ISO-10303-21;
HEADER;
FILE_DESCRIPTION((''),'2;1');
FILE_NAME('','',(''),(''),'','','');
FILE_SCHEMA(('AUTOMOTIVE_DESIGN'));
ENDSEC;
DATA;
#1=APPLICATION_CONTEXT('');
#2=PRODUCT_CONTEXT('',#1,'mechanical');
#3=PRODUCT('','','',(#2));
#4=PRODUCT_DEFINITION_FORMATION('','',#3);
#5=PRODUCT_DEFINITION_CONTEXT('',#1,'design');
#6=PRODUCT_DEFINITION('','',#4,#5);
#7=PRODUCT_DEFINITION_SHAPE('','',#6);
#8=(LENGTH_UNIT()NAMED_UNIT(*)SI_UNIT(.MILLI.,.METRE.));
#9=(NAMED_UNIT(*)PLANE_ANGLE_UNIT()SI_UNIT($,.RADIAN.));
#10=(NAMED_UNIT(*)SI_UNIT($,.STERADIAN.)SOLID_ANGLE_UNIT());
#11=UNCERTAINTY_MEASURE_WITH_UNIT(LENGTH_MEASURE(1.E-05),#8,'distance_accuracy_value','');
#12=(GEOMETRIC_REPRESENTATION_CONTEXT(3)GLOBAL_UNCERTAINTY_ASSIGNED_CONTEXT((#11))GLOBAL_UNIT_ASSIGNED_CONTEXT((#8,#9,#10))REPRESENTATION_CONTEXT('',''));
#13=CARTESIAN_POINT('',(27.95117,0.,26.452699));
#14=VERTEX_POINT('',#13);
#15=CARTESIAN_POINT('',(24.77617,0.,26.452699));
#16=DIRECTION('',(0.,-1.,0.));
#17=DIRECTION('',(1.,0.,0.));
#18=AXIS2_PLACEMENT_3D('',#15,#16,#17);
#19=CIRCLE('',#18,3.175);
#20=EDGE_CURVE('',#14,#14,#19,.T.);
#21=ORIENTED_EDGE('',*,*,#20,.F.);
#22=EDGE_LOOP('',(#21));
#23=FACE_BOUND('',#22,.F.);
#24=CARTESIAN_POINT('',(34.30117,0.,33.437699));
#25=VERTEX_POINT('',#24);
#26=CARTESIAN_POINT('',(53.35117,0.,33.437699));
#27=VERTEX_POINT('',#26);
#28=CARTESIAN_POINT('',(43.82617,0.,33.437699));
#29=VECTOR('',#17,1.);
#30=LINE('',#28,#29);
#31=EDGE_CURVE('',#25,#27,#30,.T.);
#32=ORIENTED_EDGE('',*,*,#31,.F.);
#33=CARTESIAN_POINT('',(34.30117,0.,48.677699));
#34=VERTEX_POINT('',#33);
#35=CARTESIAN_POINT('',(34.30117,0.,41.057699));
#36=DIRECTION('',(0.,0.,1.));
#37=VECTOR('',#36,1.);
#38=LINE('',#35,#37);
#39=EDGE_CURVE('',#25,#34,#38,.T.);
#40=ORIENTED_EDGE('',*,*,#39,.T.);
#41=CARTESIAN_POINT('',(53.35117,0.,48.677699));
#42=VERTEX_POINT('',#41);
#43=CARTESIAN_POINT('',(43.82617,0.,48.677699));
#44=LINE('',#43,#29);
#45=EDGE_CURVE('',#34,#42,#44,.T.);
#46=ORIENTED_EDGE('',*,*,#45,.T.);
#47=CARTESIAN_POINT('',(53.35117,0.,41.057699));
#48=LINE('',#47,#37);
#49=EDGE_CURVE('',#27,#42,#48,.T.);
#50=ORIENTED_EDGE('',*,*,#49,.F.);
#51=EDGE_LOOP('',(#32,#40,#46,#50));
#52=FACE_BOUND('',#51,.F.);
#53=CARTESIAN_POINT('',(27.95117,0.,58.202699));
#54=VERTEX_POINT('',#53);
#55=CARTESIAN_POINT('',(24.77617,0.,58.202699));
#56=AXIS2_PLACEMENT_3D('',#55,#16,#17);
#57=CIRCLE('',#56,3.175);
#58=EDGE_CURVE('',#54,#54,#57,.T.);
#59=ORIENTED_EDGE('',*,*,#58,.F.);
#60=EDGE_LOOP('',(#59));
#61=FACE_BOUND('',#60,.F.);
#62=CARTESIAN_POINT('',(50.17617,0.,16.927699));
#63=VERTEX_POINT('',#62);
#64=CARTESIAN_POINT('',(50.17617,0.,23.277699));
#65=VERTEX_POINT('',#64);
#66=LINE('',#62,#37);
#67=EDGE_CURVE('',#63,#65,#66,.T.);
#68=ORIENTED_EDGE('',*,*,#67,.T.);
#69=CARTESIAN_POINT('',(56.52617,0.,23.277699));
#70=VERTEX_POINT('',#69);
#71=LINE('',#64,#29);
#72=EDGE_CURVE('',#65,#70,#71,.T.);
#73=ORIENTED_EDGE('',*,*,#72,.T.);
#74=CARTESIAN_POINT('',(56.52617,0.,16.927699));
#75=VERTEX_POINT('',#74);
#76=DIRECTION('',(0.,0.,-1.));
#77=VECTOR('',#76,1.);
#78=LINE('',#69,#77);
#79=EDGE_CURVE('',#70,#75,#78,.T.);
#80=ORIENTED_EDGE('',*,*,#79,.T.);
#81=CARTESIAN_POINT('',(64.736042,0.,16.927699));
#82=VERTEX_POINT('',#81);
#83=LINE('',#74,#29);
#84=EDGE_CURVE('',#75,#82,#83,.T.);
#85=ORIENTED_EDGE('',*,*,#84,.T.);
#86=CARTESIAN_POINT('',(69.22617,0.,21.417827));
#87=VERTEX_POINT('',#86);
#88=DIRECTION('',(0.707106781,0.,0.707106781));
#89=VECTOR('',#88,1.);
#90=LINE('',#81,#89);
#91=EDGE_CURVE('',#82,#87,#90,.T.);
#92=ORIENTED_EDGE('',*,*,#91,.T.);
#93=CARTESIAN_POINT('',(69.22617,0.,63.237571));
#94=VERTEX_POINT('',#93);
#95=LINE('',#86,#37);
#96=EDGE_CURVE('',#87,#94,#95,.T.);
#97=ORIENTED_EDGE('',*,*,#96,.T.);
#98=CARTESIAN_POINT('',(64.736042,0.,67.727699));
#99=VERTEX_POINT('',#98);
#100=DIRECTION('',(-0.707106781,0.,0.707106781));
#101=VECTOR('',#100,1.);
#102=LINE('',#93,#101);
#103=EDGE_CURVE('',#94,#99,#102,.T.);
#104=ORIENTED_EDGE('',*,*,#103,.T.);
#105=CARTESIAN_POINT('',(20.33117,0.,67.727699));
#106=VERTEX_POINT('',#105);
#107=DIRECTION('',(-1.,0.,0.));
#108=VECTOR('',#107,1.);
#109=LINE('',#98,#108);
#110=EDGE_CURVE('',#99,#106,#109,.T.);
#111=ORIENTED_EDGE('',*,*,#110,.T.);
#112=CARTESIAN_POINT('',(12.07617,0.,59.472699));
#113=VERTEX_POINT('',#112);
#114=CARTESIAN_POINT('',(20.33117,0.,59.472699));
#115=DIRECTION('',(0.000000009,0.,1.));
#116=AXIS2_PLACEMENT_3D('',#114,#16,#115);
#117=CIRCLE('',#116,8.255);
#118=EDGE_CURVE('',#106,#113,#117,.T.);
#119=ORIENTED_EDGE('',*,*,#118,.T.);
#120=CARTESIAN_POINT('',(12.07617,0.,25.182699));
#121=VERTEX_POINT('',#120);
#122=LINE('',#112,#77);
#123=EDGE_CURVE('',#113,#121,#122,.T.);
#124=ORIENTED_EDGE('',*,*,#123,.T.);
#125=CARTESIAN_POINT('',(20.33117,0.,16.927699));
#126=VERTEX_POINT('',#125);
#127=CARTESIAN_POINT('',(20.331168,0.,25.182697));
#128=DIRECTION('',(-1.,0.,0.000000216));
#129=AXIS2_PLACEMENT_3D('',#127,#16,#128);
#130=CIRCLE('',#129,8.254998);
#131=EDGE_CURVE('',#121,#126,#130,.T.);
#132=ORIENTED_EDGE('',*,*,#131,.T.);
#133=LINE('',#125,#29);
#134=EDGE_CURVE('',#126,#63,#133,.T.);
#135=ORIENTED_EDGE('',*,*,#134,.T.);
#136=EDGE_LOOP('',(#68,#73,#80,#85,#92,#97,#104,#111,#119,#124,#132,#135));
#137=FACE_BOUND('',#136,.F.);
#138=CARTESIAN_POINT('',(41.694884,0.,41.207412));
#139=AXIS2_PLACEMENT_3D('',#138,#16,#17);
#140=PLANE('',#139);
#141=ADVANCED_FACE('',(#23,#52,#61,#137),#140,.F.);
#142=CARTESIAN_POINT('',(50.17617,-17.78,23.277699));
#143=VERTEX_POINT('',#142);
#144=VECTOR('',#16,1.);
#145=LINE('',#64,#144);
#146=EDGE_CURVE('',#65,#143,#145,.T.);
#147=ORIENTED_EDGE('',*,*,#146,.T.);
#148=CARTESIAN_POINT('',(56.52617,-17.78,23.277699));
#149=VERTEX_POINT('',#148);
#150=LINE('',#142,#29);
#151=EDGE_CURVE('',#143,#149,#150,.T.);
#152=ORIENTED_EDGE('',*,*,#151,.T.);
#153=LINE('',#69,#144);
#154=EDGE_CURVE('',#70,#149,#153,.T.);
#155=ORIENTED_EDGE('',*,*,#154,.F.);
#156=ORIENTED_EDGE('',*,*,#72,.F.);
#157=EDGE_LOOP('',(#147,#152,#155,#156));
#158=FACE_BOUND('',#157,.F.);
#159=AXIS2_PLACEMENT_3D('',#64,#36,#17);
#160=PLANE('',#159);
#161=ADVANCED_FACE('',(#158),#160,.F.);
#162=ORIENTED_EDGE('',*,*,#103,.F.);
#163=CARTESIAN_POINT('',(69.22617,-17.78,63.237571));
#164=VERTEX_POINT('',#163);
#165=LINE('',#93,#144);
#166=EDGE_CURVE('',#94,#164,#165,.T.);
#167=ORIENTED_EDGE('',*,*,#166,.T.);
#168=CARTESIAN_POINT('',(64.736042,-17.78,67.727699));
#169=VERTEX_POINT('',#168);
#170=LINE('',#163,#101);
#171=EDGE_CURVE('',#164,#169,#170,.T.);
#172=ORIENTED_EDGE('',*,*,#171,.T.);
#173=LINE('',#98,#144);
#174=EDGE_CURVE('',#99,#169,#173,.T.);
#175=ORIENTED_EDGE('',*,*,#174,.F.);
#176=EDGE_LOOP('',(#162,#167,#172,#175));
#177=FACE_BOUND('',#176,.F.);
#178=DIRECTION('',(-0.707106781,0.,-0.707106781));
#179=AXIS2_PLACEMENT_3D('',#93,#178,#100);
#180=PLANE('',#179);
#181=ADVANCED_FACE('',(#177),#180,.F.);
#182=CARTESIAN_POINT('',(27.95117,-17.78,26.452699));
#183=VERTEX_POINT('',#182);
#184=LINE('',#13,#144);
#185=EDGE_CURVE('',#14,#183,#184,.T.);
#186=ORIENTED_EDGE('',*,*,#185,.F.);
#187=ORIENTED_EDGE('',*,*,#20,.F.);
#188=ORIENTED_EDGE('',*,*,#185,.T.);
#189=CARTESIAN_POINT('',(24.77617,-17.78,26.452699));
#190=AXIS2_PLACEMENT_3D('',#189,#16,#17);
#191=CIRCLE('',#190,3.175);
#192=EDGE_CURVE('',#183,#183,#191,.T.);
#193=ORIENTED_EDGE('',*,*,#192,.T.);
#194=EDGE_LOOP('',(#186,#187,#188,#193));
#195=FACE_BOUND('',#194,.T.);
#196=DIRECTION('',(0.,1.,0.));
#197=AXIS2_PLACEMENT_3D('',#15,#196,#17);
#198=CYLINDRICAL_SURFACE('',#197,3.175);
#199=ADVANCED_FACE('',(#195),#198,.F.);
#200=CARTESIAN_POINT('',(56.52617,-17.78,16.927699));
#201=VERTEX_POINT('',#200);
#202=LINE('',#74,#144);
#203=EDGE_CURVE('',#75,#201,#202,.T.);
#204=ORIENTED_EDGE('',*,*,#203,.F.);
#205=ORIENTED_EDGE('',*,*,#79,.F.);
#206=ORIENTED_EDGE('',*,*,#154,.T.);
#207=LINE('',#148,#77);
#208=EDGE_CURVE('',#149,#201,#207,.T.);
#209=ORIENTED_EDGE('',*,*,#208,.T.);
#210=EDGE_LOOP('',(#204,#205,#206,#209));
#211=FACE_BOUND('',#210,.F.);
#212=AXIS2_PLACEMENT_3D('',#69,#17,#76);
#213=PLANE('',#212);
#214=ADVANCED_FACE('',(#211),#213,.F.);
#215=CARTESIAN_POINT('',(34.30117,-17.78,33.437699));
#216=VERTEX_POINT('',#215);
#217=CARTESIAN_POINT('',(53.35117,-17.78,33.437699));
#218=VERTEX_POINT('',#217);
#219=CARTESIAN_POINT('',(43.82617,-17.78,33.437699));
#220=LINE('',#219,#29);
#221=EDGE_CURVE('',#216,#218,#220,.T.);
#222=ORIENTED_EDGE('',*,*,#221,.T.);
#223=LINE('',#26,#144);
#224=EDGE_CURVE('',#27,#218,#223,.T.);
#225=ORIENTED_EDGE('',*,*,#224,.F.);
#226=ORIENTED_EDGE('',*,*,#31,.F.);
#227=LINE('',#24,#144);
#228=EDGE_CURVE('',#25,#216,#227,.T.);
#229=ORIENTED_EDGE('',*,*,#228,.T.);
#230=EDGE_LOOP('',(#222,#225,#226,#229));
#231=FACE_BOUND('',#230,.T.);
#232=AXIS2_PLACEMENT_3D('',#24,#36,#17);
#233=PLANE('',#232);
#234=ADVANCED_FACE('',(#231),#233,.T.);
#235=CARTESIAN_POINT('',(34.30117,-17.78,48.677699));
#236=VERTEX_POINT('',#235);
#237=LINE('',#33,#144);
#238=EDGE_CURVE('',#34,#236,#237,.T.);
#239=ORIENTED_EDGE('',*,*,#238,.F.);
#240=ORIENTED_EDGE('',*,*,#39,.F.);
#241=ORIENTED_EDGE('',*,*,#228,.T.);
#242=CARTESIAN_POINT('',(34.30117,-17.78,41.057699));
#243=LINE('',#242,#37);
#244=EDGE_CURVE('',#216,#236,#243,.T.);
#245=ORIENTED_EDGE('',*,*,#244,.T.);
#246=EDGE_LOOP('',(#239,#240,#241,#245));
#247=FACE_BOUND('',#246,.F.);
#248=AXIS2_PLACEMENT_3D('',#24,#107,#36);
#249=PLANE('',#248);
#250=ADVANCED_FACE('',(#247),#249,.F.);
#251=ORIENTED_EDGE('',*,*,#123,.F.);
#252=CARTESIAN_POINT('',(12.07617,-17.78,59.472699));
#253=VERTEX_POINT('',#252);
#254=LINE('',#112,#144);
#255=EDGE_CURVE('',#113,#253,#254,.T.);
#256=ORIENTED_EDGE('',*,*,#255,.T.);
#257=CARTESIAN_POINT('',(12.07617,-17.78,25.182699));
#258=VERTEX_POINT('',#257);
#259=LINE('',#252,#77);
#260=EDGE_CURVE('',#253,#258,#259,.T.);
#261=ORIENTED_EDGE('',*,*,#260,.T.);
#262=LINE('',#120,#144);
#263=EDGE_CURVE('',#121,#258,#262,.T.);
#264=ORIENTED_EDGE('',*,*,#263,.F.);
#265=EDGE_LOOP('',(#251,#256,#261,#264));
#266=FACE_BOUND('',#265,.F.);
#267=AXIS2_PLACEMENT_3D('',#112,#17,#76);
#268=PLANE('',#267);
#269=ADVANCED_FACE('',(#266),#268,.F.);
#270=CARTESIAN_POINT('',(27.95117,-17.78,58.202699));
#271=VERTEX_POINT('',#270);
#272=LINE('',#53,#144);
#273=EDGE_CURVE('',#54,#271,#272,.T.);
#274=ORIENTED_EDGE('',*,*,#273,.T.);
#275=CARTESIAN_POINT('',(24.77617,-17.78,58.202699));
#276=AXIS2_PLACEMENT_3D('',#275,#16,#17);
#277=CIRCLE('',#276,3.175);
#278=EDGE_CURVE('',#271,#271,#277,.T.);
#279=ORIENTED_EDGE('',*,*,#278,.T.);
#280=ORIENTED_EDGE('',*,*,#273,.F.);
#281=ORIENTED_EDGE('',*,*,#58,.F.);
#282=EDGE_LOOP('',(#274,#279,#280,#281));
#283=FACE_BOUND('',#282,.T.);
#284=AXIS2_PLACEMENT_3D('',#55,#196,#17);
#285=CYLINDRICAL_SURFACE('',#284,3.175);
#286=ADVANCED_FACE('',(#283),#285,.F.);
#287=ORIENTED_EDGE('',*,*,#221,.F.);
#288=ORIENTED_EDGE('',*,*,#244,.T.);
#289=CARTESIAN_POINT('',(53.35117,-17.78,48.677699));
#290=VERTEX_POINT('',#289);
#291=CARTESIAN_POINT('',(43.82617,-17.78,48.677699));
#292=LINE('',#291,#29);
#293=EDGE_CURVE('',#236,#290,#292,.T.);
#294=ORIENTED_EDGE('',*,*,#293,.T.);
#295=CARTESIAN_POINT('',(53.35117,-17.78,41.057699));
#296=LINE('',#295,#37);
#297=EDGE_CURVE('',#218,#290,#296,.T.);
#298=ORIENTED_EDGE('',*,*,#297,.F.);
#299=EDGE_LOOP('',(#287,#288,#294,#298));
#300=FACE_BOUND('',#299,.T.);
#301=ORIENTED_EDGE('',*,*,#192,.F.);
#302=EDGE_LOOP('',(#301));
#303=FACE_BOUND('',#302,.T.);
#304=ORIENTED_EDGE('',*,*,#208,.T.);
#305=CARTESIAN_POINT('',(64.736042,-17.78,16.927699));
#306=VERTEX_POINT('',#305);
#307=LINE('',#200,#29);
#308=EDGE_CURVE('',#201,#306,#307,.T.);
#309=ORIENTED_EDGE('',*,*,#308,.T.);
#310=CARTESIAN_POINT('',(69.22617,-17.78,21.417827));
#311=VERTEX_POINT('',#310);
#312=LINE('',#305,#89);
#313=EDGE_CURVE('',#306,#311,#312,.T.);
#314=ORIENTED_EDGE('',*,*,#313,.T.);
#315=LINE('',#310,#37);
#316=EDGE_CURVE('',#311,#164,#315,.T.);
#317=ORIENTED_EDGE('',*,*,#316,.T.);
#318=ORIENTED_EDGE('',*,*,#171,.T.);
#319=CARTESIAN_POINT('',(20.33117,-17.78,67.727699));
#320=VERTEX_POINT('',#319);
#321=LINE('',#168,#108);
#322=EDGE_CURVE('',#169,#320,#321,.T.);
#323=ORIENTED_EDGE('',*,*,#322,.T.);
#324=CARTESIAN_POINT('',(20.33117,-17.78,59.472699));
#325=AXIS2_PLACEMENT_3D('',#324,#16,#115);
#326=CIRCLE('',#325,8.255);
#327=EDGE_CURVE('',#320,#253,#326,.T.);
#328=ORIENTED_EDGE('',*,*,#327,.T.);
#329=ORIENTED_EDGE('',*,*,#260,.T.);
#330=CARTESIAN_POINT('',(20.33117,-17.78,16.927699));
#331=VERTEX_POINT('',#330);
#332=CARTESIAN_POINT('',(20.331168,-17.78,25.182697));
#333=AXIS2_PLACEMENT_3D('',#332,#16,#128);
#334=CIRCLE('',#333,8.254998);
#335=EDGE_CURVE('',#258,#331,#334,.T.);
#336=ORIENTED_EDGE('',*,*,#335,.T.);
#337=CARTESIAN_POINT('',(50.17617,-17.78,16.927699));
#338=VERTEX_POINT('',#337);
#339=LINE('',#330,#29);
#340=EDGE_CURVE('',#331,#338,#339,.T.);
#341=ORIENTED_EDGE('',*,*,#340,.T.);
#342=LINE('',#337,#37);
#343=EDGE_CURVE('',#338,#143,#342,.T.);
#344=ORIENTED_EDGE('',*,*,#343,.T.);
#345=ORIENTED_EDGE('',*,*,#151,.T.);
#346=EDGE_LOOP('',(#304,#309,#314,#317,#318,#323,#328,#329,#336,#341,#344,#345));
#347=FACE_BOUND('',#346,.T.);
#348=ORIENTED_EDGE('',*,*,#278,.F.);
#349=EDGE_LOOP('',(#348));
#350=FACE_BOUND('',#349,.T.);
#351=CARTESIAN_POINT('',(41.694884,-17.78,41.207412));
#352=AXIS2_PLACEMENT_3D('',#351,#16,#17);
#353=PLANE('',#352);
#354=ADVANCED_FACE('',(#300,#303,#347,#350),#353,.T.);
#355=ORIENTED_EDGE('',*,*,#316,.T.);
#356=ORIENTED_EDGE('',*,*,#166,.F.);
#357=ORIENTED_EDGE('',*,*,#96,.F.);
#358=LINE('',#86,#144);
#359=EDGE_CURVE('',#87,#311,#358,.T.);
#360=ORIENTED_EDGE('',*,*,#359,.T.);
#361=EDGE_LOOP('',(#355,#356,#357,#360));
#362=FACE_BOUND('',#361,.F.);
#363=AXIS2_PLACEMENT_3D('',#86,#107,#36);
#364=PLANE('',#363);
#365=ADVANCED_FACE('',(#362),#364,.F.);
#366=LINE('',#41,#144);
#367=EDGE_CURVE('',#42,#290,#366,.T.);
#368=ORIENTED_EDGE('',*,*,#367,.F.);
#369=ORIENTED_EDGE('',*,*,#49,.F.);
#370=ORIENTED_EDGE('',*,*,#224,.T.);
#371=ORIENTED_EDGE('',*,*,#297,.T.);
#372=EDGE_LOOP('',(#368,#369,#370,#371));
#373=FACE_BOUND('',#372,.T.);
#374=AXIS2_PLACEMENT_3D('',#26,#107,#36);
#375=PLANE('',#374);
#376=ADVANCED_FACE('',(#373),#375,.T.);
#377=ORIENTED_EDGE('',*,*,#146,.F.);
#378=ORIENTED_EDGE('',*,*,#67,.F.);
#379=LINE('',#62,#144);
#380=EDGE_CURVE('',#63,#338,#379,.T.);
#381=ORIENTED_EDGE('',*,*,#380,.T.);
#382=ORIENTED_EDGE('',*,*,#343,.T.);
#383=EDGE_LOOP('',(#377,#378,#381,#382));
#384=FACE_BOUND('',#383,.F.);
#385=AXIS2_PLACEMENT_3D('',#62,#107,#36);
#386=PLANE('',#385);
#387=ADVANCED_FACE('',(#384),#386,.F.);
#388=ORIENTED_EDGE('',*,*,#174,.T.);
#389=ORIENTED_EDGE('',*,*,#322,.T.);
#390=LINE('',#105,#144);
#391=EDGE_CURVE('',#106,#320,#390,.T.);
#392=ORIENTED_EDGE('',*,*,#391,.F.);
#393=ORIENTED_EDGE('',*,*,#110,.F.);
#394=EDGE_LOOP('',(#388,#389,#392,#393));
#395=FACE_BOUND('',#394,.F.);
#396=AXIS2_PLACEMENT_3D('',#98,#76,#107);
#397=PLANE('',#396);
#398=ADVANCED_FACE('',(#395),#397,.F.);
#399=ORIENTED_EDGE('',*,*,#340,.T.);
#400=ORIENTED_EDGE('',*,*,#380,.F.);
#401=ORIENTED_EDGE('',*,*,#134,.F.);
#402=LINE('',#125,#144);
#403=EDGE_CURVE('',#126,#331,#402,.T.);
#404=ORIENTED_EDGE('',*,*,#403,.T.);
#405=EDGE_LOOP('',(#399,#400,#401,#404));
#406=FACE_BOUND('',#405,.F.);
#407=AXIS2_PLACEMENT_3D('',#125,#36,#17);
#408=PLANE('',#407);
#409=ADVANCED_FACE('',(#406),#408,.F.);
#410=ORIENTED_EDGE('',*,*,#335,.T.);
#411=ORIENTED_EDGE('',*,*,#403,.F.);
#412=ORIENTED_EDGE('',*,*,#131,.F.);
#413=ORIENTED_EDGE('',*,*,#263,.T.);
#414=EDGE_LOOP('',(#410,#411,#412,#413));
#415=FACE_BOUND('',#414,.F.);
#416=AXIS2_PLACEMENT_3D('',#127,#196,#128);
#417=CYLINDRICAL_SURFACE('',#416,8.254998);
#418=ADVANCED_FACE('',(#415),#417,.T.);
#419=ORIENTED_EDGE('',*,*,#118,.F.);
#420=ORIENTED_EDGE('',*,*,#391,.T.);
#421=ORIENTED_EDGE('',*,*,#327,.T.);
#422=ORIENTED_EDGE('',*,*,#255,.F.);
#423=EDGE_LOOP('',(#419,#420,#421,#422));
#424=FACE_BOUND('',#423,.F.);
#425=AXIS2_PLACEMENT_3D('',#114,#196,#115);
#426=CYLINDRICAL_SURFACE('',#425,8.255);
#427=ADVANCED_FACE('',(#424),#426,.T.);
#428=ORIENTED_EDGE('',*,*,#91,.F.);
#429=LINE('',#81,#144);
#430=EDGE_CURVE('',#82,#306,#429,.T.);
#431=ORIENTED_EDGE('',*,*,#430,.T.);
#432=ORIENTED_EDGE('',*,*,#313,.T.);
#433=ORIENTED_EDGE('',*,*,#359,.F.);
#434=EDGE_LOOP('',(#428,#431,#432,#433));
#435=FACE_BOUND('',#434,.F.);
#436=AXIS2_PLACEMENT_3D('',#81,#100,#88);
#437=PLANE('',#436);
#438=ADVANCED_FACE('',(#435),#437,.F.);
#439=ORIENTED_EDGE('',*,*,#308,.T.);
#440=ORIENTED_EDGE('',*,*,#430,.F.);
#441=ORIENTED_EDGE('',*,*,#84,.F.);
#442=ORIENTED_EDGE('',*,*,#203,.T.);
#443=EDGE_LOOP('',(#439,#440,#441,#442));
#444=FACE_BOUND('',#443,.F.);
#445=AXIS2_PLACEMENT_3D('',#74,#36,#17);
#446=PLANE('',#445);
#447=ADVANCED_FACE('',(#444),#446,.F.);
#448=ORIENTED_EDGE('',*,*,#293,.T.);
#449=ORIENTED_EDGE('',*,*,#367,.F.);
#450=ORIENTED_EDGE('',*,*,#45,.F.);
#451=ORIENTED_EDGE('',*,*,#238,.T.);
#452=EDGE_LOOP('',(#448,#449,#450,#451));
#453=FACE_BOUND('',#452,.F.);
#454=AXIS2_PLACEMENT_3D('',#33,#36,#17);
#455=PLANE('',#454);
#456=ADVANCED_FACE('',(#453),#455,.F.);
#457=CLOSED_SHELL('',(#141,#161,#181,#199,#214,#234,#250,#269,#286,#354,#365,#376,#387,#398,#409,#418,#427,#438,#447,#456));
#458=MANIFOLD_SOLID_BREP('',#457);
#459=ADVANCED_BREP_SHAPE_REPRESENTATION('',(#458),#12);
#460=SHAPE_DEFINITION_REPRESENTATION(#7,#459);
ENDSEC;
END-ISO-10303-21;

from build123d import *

# Parameters (mm, degrees)
F0_R     = 3.175
F0_W     = 19.05
F0_H     = 15.24
F1_DEPTH = 17.78


with BuildPart() as f1:
    # F0 (on Front) → F1 (new body)
    with BuildSketch(Plane.XZ):
        with BuildLine():
            Line((12.07617, 59.472699), (12.07617, 58.202699))
            Line((12.07617, 58.202699), (12.07617, 42.327699))
            Line((12.07617, 42.327699), (12.07617, 26.452699))
            Line((12.07617, 26.452699), (12.07617, 25.182699))
            ThreePointArc((12.07617, 25.182699), (14.494003, 19.345532), (20.33117, 16.927699))
            Line((20.33117, 16.927699), (50.17617, 16.927699))
            Line((50.17617, 16.927699), (50.17617, 23.277699))
            Line((50.17617, 23.277699), (56.52617, 23.277699))
            Line((56.52617, 23.277699), (56.52617, 16.927699))
            Line((56.52617, 16.927699), (64.736042, 16.927699))
            Line((64.736042, 16.927699), (69.22617, 21.417827))
            Line((69.22617, 21.417827), (69.22617, 63.237571))
            Line((69.22617, 63.237571), (64.736042, 67.727699))
            Line((64.736042, 67.727699), (20.33117, 67.727699))
            ThreePointArc((20.33117, 67.727699), (14.494003, 65.309865), (12.07617, 59.472699))
        make_face()
        with Locations((24.77617, 26.452699)):
            Circle(F0_R, mode=Mode.SUBTRACT)
        with Locations((43.82617, 41.057699)):
            Rectangle(F0_W, F0_H, mode=Mode.SUBTRACT)
        with Locations((24.77617, 58.202699)):
            Circle(F0_R, mode=Mode.SUBTRACT)
    extrude(amount=F1_DEPTH)


solid = f1.part
